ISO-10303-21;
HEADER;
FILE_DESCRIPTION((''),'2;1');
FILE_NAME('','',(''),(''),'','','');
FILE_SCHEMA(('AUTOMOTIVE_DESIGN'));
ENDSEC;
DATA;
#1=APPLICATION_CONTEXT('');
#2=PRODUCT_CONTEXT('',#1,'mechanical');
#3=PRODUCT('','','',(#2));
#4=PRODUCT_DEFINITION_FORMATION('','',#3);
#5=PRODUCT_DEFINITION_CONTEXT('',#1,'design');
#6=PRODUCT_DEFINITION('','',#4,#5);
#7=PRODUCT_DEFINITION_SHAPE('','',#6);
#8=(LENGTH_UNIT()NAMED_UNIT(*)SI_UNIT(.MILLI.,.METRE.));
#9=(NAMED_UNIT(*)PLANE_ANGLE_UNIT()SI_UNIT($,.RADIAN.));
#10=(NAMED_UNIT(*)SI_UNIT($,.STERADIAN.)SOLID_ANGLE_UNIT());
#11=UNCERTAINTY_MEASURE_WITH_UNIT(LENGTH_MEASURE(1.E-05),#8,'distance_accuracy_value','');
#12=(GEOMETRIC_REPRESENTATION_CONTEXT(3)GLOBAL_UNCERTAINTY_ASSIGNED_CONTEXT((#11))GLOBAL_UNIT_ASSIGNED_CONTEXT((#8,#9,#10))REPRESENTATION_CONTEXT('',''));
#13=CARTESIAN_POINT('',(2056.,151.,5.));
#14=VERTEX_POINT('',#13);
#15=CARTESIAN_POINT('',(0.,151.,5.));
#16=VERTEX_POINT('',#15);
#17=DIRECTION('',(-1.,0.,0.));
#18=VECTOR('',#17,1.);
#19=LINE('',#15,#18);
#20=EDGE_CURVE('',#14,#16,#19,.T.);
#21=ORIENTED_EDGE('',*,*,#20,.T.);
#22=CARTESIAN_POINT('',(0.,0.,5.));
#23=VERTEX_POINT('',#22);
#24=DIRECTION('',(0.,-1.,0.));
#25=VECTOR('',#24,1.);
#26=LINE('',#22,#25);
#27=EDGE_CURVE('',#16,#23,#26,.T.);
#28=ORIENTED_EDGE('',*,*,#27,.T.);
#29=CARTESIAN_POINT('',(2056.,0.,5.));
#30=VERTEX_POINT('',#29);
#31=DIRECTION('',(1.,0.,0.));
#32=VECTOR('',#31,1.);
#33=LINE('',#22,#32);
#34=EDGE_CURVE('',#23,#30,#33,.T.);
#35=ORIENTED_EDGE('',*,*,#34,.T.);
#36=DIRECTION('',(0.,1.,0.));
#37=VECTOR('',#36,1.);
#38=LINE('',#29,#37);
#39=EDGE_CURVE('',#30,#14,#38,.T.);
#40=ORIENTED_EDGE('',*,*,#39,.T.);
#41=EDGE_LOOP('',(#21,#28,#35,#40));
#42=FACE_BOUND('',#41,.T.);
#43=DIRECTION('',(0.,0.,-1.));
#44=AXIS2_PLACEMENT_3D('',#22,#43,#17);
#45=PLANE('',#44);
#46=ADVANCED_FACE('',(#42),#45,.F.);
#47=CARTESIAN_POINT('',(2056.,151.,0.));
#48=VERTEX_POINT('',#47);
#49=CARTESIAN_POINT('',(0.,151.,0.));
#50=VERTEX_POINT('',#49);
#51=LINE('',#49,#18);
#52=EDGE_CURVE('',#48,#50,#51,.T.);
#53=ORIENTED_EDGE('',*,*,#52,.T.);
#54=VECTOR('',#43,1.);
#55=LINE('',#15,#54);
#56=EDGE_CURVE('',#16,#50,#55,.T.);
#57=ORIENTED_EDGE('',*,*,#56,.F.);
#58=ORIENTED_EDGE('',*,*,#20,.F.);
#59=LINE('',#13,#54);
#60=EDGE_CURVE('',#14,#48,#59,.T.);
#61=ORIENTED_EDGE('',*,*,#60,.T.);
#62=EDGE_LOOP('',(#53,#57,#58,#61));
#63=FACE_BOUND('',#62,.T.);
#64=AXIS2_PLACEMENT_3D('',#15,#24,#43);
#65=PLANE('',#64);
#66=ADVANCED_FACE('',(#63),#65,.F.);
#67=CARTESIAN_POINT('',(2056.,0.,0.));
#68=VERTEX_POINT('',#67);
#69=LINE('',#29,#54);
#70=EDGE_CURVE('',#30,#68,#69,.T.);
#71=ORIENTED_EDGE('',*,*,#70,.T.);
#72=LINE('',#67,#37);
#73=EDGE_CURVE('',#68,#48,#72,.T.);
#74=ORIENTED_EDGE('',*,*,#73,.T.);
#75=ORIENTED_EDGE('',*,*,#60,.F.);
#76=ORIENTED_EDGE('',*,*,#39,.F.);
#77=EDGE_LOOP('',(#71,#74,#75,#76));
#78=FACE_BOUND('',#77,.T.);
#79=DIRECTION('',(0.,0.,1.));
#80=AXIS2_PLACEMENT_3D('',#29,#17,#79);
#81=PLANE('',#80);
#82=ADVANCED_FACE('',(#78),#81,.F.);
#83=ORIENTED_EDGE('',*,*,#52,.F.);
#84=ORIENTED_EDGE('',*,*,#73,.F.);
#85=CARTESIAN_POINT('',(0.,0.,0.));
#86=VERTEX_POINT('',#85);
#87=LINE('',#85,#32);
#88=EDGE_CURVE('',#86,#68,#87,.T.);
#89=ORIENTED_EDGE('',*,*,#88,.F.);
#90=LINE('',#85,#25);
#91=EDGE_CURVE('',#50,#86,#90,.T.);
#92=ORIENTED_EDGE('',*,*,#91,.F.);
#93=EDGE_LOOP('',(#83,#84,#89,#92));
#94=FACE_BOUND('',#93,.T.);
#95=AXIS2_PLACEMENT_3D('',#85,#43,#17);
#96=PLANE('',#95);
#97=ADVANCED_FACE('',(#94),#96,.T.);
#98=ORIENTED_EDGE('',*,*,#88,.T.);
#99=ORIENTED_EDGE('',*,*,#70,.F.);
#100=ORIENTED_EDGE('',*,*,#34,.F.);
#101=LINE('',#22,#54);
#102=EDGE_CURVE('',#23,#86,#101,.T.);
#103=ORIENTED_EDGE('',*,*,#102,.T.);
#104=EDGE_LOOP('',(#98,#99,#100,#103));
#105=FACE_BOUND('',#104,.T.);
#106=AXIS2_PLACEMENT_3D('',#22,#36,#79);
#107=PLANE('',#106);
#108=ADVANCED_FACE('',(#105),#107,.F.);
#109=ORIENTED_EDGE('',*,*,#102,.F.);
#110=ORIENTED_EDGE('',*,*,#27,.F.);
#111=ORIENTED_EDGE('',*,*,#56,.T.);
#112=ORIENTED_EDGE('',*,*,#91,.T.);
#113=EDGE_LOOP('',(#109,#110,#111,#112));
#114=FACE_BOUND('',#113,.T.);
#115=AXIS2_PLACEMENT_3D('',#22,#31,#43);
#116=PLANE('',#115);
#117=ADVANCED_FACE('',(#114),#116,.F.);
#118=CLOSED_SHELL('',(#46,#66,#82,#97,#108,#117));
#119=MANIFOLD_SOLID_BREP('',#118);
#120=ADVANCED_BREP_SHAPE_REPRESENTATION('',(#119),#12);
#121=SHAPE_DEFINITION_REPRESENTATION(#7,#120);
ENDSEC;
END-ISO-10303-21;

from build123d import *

# Parameters (mm, degrees)
SKETCH_1_W      = 2056
SKETCH_1_H      = 151
EXTRUDE_1_DEPTH = 5


with BuildPart() as part:
    # 草图1 → 凸台-拉伸1 (new body)
    with BuildSketch(Plane.XY):
        with Locations((1028, 75.5)):
            Rectangle(SKETCH_1_W, SKETCH_1_H)
    extrude(amount=EXTRUDE_1_DEPTH)


solid = part.part
